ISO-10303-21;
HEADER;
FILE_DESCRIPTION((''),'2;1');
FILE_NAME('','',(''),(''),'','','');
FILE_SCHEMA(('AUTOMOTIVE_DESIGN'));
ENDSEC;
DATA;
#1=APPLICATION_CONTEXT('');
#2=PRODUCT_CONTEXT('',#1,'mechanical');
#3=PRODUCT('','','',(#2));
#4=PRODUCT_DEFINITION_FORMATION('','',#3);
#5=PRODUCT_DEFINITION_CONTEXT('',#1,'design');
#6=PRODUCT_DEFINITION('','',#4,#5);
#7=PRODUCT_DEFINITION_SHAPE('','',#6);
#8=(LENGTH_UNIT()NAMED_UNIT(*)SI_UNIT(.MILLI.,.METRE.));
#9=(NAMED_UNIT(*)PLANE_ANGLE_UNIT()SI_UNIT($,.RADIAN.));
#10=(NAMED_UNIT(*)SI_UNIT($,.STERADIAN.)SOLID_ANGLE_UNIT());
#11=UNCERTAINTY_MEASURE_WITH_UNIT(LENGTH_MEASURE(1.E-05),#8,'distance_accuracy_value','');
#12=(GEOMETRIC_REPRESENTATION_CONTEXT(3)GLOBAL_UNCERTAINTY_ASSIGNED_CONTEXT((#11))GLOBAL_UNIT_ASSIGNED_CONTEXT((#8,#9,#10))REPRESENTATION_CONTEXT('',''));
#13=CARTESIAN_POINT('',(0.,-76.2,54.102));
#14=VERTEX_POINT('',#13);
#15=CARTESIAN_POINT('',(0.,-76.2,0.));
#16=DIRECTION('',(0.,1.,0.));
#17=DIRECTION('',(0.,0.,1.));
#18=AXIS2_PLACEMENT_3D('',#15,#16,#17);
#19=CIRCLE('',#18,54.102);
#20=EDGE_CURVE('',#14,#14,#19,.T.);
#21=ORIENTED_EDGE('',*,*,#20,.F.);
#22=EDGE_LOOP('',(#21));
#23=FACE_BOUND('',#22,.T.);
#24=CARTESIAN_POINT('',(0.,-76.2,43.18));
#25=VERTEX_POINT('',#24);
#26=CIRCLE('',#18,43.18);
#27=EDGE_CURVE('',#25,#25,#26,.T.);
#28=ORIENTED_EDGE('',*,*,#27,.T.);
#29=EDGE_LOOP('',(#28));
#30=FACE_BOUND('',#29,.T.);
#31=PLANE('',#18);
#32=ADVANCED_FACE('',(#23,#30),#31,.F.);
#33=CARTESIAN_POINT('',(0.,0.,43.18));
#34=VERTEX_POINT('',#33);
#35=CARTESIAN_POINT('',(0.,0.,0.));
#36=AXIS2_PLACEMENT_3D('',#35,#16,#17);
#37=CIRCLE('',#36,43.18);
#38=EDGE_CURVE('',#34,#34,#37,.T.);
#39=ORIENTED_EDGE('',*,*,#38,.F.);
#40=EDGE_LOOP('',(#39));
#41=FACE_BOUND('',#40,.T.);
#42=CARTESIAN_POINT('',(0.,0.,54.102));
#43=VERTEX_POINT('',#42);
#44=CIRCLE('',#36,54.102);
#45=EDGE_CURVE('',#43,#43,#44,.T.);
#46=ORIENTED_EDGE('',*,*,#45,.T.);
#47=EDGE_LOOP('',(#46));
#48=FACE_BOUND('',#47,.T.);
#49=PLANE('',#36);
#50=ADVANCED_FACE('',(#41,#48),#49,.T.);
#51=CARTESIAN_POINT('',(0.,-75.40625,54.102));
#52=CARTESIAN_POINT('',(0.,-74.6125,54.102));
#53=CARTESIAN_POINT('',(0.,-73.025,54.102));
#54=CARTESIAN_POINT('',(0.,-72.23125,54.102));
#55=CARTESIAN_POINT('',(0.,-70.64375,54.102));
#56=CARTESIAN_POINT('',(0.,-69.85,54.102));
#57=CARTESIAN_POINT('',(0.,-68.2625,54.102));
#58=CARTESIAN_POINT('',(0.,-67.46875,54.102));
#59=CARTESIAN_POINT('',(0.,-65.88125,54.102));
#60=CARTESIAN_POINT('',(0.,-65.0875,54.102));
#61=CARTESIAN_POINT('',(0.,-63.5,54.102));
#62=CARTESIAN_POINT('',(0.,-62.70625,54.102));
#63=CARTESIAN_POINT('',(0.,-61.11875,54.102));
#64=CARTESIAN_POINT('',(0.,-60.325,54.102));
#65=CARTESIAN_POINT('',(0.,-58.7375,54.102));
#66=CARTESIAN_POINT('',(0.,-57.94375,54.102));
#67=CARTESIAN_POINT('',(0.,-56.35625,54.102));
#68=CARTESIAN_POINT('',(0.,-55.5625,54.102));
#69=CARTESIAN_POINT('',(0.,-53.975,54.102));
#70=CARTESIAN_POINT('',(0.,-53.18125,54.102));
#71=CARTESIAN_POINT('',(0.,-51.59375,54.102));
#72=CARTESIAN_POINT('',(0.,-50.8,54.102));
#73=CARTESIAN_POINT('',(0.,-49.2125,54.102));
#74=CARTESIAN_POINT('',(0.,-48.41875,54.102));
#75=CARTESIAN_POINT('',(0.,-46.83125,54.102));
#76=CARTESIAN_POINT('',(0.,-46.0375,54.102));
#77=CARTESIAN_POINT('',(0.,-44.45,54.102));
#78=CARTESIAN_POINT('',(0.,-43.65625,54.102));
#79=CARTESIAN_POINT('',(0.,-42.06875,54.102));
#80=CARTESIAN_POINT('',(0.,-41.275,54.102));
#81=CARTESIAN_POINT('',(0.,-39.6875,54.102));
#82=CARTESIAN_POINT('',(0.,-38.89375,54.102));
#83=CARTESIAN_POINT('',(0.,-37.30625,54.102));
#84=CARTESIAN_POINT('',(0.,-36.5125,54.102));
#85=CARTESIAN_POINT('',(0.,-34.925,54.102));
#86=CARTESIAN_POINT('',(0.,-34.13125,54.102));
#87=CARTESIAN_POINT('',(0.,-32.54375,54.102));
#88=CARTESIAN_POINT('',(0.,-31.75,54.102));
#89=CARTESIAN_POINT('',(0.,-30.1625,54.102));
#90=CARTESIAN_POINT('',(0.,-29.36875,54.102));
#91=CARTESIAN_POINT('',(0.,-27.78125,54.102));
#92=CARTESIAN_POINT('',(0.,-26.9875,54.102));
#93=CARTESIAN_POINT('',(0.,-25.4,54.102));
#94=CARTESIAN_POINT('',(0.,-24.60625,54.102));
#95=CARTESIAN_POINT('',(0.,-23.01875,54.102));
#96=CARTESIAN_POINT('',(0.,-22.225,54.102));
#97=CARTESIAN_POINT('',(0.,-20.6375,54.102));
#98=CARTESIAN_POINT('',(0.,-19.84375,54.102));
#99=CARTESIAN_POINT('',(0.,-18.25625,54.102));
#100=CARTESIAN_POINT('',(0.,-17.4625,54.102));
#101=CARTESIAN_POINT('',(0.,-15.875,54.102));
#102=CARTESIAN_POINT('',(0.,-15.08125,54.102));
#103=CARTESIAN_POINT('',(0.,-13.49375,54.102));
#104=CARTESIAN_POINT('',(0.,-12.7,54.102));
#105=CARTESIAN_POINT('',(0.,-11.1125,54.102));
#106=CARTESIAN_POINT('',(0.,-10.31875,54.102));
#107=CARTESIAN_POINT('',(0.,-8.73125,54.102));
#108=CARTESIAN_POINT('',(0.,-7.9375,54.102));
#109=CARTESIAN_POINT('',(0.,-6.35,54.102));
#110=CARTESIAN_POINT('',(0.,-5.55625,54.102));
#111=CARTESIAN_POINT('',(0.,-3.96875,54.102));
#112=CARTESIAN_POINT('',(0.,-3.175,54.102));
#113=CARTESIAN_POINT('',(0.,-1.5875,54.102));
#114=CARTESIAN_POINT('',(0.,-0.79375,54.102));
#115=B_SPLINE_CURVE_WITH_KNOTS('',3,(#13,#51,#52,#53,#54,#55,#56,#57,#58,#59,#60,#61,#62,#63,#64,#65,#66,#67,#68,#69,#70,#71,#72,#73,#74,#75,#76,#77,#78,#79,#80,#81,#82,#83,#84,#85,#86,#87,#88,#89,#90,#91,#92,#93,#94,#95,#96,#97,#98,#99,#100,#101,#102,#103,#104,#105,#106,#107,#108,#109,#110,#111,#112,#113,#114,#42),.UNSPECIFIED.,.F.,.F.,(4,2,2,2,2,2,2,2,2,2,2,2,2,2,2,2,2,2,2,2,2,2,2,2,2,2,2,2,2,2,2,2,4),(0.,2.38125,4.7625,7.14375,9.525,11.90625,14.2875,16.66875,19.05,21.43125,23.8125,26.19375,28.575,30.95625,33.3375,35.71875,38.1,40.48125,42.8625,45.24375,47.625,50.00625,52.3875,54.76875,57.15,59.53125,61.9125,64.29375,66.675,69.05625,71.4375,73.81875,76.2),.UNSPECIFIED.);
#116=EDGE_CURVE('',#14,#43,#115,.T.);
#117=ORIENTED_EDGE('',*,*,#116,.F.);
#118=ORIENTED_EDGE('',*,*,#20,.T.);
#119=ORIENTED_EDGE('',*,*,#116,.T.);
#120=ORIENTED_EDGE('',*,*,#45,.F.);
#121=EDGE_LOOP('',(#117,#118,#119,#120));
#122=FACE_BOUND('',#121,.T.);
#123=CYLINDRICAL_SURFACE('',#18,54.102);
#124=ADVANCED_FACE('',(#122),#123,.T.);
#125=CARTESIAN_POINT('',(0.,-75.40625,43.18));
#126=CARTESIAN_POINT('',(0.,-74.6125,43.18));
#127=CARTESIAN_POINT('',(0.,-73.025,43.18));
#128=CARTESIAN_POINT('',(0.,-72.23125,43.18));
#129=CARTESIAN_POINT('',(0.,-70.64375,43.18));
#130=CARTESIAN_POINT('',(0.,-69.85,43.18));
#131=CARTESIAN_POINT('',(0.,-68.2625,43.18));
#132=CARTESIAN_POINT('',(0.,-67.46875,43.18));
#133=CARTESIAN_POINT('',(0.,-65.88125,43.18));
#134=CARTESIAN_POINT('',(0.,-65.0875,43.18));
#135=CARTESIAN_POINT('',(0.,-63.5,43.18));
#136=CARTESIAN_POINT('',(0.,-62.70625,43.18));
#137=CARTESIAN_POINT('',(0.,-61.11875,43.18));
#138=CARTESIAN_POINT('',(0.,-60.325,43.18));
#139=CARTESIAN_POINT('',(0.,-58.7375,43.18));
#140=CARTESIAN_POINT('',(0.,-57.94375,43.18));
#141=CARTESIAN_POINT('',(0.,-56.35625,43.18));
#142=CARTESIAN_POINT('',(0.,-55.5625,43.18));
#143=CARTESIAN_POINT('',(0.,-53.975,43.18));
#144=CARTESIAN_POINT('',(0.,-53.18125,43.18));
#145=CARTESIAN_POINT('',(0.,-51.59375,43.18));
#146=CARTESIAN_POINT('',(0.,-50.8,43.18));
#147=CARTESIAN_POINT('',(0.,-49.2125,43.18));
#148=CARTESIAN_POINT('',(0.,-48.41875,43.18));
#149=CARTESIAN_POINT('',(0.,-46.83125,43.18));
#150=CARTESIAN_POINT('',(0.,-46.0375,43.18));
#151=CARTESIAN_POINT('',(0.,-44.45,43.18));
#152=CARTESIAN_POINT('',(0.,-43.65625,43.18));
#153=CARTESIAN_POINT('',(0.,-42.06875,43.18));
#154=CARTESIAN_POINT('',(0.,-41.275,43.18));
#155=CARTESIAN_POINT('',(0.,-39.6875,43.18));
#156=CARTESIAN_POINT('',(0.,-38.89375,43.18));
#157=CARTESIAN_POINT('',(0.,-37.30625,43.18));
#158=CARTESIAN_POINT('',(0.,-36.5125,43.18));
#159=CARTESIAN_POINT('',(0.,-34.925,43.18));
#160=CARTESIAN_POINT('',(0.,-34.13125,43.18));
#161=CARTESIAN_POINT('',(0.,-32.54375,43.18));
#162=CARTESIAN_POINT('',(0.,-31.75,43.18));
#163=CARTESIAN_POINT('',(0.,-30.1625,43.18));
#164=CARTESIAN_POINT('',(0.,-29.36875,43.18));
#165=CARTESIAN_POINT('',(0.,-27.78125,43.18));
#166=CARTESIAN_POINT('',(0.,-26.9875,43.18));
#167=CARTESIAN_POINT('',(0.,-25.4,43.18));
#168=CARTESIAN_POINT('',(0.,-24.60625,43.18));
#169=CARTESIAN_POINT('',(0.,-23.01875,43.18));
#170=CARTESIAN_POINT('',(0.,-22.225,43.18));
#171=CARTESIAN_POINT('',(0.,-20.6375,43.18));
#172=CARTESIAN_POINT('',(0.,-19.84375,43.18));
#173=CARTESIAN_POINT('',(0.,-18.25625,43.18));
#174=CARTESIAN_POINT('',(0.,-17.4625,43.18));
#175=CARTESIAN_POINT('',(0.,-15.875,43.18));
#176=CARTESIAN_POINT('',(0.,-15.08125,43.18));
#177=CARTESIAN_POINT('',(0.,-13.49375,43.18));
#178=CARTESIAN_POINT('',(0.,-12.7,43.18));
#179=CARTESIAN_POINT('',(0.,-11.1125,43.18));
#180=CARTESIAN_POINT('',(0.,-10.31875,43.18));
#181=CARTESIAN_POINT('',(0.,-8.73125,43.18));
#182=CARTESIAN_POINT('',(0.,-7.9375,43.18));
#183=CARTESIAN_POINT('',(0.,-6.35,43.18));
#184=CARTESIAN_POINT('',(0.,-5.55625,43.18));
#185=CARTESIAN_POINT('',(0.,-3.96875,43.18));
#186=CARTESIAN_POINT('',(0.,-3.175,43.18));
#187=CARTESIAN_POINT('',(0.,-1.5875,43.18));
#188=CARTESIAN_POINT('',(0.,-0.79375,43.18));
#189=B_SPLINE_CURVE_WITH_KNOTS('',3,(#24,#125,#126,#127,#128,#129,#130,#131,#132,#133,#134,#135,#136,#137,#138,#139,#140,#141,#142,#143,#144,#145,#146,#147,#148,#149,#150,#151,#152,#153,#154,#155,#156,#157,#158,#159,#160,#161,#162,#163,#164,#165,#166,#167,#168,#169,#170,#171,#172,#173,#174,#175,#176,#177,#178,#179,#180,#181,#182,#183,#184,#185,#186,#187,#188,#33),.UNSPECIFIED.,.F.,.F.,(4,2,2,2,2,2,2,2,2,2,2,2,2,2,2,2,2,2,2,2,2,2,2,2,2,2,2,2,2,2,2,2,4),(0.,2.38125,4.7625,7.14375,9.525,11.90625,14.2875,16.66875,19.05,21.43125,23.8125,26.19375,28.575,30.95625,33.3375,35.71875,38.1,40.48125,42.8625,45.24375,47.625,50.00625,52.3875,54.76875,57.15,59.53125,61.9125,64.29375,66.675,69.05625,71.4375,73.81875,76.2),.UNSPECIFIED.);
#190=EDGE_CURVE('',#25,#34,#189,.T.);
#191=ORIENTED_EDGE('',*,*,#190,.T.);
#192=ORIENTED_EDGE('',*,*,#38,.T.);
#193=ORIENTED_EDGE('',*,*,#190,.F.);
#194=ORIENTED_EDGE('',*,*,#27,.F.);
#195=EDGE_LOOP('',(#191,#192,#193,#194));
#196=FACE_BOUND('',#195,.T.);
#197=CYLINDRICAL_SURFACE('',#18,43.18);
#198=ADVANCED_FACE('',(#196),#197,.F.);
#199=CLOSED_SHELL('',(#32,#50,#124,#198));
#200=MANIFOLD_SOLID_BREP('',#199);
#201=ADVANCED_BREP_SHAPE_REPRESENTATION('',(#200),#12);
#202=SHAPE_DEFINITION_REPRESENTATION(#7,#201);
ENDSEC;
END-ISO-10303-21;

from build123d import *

# Parameters (mm, degrees)
SKETCH1_R      = 54.102
SKETCH1_R_2    = 43.18
ABLATIVE_DEPTH = 76.2


with BuildPart() as part:
    # Sketch1 → Ablative (new body)
    with BuildSketch(Plane(origin=(0, 0, 0), x_dir=(1, 0, 0), z_dir=(0, 1, 0))):
        Circle(SKETCH1_R)
        Circle(SKETCH1_R_2, mode=Mode.SUBTRACT)
    extrude(amount=-ABLATIVE_DEPTH)


solid = part.part
